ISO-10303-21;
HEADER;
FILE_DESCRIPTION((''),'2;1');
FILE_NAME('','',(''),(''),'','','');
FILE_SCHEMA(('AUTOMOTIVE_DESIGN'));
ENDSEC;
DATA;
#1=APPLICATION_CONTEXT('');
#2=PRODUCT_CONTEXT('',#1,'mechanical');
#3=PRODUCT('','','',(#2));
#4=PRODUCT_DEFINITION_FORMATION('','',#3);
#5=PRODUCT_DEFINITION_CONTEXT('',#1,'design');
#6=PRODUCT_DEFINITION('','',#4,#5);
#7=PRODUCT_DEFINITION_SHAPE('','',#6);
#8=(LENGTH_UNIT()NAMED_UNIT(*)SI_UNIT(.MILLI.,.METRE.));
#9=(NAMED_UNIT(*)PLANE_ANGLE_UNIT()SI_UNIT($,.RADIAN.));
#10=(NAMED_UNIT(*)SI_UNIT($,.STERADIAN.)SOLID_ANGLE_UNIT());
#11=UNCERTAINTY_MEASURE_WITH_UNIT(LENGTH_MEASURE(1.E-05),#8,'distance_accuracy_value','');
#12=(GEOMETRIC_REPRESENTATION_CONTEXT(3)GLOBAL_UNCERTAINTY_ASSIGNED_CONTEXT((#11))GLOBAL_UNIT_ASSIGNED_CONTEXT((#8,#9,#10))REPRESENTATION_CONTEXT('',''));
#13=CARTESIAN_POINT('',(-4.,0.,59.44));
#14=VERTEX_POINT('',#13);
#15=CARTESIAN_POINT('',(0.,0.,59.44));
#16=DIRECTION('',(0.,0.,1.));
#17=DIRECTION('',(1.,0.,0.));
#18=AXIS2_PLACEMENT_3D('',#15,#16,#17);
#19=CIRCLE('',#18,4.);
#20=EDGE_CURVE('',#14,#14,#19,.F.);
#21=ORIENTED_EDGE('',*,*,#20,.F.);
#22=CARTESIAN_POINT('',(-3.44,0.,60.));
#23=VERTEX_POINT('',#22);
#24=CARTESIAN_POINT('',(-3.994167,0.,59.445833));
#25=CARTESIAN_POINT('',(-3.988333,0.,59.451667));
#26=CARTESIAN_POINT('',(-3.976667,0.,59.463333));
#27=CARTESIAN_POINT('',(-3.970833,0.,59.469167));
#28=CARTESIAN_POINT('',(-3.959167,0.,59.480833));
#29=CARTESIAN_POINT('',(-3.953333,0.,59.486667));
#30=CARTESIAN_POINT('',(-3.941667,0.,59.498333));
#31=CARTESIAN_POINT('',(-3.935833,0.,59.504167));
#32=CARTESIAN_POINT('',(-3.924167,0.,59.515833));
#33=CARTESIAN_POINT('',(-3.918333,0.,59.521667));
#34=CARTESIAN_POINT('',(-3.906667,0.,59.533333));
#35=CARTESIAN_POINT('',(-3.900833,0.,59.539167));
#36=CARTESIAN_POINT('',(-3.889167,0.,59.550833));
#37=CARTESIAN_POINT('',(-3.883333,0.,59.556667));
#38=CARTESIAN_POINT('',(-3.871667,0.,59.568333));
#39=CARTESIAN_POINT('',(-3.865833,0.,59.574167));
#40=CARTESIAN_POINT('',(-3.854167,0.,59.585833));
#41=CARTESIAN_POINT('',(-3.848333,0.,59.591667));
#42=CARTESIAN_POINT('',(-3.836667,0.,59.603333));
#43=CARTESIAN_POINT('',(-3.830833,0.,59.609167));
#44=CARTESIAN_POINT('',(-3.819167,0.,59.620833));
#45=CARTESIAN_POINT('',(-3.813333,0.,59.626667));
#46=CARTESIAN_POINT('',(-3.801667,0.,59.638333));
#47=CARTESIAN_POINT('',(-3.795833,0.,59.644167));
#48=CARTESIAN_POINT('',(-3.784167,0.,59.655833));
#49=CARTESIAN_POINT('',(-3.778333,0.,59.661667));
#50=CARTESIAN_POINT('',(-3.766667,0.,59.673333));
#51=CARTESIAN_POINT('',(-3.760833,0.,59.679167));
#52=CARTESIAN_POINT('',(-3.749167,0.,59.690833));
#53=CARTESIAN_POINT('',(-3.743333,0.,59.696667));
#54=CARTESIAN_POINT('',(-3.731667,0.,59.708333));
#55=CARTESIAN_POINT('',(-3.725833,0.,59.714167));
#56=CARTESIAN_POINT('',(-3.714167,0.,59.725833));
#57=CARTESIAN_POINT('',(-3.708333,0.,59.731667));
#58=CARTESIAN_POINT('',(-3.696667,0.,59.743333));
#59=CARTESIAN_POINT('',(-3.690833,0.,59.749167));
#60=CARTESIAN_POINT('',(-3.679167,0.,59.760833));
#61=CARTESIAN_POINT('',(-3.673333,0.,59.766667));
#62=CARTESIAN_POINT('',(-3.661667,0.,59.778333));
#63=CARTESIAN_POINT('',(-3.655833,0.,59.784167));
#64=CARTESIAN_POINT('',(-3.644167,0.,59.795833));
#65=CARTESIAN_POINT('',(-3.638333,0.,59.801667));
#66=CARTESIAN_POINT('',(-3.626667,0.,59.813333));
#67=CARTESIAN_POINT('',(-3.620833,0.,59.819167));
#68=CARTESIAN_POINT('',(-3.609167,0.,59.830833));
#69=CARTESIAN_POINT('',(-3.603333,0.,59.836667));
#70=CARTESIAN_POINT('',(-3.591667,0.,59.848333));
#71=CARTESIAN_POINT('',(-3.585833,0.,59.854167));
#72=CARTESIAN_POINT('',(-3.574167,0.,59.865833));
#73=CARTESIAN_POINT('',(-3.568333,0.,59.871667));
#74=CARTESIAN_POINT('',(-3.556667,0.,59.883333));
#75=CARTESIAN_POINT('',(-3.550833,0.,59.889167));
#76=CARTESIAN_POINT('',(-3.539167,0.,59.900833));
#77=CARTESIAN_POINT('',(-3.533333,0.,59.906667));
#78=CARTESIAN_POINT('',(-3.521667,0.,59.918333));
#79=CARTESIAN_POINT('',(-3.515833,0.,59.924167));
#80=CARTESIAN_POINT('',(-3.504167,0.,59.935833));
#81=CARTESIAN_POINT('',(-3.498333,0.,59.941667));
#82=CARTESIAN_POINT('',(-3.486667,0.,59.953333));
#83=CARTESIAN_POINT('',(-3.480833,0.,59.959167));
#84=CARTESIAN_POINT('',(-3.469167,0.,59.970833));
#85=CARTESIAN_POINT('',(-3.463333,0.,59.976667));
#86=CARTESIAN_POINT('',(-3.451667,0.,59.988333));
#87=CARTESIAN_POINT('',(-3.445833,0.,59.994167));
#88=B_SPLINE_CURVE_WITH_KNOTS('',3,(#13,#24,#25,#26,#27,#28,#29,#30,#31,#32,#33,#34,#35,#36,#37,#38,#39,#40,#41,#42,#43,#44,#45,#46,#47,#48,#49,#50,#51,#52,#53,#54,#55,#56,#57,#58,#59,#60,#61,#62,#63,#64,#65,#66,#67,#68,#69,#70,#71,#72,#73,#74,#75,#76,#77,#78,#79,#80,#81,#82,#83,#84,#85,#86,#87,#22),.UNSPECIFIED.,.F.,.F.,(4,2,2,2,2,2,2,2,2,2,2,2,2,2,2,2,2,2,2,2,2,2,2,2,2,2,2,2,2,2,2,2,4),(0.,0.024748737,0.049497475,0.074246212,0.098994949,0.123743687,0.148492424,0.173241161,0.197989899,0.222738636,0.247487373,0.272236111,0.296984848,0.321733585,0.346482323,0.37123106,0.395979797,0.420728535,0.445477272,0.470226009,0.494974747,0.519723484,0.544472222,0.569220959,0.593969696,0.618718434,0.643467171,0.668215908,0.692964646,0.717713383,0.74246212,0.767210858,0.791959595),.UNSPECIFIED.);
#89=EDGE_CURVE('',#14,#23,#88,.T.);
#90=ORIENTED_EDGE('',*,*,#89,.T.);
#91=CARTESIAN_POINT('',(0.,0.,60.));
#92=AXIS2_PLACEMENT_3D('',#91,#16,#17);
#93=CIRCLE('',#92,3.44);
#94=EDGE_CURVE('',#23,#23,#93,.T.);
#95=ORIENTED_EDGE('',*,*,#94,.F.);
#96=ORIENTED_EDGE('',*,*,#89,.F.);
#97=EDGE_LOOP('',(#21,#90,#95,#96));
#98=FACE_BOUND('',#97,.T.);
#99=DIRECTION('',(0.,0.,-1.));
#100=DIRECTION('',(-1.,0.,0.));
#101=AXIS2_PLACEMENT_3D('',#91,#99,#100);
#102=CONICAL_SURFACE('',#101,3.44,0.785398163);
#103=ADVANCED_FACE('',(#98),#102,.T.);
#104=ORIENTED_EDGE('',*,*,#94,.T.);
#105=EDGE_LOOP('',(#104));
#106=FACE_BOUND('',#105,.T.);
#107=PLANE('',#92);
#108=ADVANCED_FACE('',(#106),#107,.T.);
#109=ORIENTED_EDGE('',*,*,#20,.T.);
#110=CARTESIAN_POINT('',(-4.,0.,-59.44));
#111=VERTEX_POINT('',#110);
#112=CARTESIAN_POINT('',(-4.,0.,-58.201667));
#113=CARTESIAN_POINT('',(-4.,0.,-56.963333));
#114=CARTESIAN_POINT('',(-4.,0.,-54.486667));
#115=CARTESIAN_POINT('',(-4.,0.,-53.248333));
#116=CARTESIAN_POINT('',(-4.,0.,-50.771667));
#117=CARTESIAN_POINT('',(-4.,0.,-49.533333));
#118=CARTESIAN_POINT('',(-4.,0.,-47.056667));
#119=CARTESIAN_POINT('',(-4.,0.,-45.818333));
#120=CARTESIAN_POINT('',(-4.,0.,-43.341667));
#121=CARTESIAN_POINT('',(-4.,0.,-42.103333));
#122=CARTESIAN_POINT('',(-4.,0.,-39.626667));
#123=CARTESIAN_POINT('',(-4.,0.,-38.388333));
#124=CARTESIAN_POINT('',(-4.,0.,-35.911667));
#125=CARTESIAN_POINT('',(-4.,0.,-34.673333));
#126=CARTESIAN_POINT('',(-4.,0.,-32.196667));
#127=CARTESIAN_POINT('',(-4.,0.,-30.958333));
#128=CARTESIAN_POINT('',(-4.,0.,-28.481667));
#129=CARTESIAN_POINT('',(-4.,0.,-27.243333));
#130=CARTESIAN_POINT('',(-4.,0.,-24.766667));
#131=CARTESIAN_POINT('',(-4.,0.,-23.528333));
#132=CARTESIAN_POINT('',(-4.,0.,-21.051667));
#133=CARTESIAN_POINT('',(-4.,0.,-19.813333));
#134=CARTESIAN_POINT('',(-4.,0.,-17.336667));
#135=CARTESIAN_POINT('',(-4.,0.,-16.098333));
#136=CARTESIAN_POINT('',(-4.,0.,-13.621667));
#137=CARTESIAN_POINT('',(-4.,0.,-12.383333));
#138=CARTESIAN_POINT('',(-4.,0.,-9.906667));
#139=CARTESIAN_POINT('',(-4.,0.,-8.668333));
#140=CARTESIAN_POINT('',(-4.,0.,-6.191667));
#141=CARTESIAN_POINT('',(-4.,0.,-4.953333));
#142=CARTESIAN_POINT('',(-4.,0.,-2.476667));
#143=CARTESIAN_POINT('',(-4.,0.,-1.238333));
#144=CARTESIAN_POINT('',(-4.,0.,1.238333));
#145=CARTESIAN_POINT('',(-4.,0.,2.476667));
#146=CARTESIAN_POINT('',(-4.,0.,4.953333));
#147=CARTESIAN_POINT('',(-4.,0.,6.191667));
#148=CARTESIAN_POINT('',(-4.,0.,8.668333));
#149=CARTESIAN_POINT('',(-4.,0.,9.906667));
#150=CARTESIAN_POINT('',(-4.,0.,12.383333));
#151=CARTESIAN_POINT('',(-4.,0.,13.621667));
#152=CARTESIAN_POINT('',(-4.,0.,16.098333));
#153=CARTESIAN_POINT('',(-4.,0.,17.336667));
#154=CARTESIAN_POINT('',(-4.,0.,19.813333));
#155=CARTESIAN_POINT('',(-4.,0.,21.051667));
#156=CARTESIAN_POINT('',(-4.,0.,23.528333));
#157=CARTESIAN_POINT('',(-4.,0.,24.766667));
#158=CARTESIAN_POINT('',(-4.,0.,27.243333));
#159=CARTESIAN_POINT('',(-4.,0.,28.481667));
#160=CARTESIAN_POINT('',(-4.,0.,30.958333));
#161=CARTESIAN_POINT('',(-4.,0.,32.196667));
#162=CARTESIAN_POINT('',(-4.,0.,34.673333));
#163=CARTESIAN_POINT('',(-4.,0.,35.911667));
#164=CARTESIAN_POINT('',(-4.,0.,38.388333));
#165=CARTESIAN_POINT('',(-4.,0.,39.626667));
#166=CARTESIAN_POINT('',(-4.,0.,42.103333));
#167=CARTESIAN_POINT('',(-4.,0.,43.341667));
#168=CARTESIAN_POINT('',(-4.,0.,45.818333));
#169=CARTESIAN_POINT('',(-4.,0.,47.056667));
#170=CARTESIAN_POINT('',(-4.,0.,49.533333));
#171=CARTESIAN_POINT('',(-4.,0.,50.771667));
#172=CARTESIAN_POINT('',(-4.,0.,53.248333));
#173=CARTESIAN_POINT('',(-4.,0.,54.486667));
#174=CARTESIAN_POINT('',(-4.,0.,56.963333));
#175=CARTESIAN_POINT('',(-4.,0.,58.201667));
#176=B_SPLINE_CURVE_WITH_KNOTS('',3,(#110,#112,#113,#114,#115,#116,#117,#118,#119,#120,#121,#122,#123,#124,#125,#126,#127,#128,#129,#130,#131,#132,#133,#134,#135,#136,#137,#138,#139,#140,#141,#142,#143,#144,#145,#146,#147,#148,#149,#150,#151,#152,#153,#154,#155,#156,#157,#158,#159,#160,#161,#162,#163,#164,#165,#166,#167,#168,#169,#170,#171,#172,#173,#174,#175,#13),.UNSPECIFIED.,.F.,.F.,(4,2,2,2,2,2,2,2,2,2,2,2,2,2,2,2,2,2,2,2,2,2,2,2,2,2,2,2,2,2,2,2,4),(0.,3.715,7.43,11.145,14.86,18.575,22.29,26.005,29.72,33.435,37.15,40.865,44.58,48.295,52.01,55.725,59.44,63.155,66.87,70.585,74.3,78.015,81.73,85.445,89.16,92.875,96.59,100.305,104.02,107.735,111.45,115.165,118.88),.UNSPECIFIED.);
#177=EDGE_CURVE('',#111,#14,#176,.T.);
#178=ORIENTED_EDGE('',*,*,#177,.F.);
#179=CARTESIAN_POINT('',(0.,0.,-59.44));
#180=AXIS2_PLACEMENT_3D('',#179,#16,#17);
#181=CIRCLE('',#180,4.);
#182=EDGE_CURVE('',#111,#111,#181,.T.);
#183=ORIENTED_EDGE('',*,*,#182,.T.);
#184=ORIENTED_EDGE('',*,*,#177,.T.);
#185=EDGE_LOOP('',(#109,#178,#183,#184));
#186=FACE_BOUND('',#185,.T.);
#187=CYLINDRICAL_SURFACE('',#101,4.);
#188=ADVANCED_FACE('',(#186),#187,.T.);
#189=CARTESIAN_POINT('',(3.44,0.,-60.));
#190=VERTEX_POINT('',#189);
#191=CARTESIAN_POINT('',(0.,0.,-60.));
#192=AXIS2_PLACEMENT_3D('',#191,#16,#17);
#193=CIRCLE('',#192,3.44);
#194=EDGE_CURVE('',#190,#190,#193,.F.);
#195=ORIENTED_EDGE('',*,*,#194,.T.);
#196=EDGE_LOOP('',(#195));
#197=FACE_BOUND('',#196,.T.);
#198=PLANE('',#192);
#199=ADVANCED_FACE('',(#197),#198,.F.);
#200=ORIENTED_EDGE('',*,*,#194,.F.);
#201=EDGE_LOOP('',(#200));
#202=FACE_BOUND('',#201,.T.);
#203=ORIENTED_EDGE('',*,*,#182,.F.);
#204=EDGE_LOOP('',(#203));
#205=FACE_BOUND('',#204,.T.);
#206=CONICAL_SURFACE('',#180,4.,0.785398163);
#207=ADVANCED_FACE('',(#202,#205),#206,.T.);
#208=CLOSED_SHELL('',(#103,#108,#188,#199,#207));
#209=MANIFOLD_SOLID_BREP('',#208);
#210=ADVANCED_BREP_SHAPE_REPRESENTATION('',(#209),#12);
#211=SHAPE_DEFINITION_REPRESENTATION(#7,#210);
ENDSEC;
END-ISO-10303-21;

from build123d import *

# Parameters (mm, degrees)
BOSS_EXTRUDE1_DEPTH      = 60
BOSS_EXTRUDE1_DEPTH_BACK = 60
SKETCH3_R                = 4
CHAMFER1_SIZE            = 0.56


with BuildPart() as part:
    # Sketch3 → Boss-Extrude1 (new, two sides: drawn at the far end of the back side and taken through both)
    with BuildSketch(Plane.XY.offset(-BOSS_EXTRUDE1_DEPTH_BACK)):
        Circle(SKETCH3_R)
    extrude(amount=BOSS_EXTRUDE1_DEPTH + BOSS_EXTRUDE1_DEPTH_BACK)

    # Chamfer1
    chamfer1_edges = [part.edges().sort_by_distance(p)[0] for p in [
        (-4, 0, -60),
        (-4, 0, 60),
    ]]
    chamfer(chamfer1_edges, length=CHAMFER1_SIZE)


solid = part.part
